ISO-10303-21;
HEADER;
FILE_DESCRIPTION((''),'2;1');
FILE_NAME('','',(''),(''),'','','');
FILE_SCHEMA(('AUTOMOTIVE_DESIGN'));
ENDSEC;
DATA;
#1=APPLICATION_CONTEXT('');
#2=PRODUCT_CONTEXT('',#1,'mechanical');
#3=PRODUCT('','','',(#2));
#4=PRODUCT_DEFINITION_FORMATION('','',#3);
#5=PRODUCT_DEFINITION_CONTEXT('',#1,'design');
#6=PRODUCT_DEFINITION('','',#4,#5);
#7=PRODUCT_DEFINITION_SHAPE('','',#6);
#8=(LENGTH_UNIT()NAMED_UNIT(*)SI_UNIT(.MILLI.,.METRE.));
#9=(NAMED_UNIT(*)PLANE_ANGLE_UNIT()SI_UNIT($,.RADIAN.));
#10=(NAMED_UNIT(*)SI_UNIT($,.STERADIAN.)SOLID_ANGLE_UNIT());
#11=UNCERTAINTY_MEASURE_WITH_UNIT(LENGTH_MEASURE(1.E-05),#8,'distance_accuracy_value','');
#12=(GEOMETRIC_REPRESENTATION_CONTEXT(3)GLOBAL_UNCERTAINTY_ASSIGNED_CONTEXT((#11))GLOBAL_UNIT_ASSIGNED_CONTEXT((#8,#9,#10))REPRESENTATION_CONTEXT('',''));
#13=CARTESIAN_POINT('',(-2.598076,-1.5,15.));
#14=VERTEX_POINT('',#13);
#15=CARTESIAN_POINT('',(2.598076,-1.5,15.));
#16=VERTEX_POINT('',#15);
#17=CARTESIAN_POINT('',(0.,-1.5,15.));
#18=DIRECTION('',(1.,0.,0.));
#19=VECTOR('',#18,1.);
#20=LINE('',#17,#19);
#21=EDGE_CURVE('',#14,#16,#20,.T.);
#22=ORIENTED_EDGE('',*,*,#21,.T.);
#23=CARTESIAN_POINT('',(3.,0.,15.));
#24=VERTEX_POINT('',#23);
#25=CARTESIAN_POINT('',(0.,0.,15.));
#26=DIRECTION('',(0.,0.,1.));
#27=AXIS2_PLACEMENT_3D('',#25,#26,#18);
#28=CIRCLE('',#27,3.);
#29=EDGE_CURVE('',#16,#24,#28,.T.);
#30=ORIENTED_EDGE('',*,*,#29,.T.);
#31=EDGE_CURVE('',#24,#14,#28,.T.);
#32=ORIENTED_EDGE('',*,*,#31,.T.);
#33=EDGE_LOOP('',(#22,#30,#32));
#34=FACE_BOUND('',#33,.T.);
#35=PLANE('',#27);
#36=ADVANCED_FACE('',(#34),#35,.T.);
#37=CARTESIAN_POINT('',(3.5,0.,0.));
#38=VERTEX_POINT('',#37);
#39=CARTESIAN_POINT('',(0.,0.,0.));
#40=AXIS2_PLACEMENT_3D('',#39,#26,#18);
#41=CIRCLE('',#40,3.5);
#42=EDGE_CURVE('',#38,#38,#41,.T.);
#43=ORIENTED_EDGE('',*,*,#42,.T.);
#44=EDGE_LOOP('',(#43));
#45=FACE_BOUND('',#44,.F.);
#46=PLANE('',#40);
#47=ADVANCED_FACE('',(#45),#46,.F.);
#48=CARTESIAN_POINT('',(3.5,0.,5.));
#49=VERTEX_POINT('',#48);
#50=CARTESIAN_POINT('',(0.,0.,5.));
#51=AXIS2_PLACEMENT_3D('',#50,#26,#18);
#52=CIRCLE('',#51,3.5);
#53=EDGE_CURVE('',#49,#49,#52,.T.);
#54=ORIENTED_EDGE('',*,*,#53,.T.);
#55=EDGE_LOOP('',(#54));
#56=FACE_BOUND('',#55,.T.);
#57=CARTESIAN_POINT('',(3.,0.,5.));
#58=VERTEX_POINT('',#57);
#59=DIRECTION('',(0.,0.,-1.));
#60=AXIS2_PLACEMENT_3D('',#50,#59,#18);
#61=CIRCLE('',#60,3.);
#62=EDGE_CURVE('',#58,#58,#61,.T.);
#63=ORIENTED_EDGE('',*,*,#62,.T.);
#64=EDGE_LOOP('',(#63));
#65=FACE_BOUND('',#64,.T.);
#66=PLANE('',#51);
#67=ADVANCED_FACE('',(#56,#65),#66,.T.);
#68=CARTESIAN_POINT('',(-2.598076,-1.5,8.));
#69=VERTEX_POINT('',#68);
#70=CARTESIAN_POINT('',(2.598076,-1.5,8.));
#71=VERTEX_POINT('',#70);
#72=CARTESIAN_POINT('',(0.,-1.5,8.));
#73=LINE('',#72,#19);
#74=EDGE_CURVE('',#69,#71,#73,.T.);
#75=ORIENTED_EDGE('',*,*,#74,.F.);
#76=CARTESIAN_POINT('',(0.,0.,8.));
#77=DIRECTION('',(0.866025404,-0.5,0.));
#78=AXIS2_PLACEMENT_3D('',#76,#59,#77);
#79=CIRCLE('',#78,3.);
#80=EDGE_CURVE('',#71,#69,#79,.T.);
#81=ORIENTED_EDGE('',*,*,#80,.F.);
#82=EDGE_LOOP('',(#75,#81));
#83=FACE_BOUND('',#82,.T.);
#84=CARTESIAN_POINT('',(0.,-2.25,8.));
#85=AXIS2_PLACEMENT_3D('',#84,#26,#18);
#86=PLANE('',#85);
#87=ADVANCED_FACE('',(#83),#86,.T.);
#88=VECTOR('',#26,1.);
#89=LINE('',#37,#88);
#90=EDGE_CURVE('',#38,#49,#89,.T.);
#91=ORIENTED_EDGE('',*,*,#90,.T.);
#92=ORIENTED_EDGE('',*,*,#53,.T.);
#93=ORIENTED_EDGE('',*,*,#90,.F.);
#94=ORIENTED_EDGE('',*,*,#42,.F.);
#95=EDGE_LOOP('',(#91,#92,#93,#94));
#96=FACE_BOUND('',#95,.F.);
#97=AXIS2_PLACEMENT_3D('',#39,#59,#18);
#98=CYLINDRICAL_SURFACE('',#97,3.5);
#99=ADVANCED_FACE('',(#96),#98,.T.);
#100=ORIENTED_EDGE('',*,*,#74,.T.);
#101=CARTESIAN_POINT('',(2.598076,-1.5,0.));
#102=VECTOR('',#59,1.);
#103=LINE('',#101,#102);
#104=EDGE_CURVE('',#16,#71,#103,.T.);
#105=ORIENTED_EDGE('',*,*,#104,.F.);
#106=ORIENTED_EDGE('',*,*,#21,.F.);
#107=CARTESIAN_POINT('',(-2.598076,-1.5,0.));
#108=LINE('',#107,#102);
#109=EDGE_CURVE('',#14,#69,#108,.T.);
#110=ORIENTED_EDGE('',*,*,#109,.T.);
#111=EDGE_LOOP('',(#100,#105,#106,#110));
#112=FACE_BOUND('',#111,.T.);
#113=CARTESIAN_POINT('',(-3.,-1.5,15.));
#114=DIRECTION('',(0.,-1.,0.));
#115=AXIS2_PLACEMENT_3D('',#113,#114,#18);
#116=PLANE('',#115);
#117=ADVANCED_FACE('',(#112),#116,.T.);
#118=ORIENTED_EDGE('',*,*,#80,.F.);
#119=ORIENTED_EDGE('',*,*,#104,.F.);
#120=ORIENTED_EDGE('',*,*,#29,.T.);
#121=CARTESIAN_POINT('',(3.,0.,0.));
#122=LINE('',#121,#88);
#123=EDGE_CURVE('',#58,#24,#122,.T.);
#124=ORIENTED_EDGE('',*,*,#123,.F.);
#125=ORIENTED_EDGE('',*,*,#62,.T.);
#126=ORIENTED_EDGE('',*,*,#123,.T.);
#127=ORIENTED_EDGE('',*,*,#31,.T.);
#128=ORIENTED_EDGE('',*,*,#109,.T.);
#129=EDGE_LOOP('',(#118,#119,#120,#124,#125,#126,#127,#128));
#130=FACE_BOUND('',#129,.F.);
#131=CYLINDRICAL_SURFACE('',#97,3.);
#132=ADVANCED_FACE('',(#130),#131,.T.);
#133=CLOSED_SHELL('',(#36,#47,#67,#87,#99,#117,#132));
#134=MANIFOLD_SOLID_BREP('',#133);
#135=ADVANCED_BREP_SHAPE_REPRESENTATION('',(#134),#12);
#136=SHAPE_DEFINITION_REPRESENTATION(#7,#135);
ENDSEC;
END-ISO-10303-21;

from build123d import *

# Parameters (mm, degrees)
SKETCH_R     = 3.5
PAD_DEPTH    = 5
SKETCH002_R  = 3
PAD001_DEPTH = 15
SKETCH003_W  = 6
SKETCH003_H  = 1.5
POCKET_DEPTH = 7


with BuildPart() as part:
    # Sketch → Pad (new body)
    with BuildSketch(Plane.XY):
        Circle(SKETCH_R)
    extrude(amount=PAD_DEPTH)

    # Sketch002 → Pad001 (join)
    with BuildSketch(Plane.XY):
        Circle(SKETCH002_R)
    extrude(amount=PAD001_DEPTH)

    # Sketch003 (on DatumPlane) → Pocket (cut)
    with BuildSketch(Plane.XY.offset(15)):
        with Locations((0, -2.25)):
            Rectangle(SKETCH003_W, SKETCH003_H)
    extrude(amount=-POCKET_DEPTH, mode=Mode.SUBTRACT)


solid = part.part
